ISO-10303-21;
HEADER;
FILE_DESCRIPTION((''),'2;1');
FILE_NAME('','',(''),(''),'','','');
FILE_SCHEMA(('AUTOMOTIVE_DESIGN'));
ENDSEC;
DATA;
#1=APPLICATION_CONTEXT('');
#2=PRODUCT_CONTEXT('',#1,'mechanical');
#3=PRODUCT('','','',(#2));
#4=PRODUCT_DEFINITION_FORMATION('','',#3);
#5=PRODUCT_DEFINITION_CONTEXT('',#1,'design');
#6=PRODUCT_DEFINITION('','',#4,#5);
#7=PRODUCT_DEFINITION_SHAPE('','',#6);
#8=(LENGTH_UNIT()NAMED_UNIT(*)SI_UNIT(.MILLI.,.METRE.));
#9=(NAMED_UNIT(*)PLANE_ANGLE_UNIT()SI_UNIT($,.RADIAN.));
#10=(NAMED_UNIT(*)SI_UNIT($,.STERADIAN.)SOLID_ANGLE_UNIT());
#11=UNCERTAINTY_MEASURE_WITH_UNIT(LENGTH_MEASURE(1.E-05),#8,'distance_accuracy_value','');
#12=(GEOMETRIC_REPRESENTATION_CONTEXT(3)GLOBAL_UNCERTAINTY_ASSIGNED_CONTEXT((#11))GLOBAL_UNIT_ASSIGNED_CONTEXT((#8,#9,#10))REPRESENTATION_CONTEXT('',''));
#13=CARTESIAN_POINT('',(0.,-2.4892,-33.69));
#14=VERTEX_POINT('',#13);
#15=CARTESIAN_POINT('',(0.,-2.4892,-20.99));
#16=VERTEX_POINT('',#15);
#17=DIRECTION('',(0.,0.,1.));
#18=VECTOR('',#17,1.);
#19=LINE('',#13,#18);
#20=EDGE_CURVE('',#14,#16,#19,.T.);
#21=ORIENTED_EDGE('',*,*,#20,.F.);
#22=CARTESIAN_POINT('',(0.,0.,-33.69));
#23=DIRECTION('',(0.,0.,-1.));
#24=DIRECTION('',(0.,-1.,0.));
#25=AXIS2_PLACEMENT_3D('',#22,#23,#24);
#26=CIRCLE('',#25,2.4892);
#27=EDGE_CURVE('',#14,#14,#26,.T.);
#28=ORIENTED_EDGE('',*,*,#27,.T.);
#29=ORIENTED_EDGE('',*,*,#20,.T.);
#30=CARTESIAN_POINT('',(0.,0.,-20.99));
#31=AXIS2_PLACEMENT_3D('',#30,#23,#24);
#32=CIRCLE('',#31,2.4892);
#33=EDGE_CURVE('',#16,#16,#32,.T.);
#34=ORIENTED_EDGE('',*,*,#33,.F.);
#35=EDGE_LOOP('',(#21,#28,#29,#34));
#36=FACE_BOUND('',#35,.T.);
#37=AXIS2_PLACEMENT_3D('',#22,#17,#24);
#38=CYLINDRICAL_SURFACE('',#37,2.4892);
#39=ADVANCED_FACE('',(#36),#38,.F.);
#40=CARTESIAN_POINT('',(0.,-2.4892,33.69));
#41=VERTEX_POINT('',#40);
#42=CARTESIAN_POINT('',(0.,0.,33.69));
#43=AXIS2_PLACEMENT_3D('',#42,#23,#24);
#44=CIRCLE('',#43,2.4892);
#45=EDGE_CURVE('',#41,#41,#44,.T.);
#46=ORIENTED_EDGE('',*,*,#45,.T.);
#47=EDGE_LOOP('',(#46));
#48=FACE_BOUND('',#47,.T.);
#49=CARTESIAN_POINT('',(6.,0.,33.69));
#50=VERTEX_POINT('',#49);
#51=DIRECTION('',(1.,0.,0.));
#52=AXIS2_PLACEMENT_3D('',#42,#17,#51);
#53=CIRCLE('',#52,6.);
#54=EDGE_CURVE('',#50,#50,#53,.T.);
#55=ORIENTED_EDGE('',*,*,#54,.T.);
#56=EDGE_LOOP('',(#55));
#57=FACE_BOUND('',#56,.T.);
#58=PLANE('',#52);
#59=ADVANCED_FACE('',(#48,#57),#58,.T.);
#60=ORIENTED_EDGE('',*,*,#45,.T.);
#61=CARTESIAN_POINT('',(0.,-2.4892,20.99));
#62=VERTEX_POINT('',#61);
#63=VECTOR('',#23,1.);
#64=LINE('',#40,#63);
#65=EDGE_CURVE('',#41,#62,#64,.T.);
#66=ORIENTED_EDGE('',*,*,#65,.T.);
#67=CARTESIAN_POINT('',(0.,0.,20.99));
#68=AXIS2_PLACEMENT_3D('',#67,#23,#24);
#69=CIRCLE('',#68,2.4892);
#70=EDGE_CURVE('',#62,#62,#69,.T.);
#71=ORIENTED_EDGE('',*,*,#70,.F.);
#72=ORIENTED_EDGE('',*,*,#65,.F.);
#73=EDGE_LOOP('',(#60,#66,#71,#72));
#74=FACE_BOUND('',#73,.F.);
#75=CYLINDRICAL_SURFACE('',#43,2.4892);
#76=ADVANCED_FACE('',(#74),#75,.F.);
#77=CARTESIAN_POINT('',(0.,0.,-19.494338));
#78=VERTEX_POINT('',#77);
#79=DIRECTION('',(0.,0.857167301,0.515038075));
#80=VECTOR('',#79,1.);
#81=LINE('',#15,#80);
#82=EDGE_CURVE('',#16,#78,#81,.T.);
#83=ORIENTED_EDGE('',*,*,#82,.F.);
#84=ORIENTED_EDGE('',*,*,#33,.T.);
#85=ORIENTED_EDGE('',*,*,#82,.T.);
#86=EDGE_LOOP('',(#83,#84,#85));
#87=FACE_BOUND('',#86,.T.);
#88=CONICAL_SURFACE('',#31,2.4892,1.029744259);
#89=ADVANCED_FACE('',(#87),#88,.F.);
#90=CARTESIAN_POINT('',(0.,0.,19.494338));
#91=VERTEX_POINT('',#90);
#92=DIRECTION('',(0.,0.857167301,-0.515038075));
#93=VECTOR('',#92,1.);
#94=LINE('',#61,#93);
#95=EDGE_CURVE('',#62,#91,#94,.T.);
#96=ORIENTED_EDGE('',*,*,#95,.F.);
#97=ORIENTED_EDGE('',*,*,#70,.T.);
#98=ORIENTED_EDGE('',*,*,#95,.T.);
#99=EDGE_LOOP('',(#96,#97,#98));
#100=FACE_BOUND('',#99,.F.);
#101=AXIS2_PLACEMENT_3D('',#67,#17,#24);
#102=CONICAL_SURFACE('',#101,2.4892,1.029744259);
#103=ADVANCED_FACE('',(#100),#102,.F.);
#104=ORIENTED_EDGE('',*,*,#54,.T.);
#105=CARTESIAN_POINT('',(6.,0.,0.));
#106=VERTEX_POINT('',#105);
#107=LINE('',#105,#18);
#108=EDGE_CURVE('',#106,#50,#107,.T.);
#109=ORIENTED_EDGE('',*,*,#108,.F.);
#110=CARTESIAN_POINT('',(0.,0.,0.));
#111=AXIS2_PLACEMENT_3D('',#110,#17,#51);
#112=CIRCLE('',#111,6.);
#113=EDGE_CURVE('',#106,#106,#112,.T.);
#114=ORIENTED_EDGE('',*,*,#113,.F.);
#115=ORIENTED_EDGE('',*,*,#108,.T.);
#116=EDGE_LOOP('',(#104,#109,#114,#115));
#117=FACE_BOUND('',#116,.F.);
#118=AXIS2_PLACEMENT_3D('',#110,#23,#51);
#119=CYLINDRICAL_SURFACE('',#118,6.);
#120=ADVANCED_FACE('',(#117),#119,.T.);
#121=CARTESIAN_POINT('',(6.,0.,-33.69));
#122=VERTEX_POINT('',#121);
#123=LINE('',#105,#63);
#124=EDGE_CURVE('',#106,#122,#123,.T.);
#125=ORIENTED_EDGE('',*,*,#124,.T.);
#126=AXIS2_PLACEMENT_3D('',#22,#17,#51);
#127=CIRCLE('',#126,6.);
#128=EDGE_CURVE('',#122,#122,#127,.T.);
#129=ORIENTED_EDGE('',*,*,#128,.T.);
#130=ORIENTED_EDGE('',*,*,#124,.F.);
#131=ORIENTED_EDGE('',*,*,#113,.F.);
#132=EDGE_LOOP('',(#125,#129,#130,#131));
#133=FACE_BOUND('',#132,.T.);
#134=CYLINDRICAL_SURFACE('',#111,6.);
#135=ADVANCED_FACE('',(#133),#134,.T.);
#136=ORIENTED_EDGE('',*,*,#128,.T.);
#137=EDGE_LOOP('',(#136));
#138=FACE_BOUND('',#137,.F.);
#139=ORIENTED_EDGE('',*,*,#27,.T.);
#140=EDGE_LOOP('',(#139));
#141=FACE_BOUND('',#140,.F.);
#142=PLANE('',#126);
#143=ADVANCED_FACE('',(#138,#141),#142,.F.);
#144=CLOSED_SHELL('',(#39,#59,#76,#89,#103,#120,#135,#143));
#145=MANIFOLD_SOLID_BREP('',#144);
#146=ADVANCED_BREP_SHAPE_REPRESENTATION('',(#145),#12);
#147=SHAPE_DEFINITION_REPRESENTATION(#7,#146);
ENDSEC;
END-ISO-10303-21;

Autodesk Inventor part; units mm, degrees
ref_plane "YZ Plane" through (0, 0, 0) normal (1, 0, 0) x (0, 1, 0)
ref_plane "XZ Plane" through (0, 0, 0) normal (0, 1, 0) x (-1, 0, 0)
ref_plane "XY Plane" through (0, 0, 0) normal (0, 0, 1) x (1, 0, 0)
sketch "Sketch1" plane through (0, 0, 0) normal (0, 0, 1) x (1, 0, 0)
  circle A0 centre (0, 0) radius 6
  dimension "d0" = 12
extrude "Extrusion1" add sketch "Sketch1" along normal mid plane 67.38
sketch "Sketch2" plane through (0, 0, 33.69) normal (0, 0, 1) x (1, 0, 0)
  circle A0 centre (0, 0) radius 6 projected
hole "Hole1" at (0, 0, 33.69) direction (0, 0, -1) diameter 4.9784 depth 12.7 tip angle 118 thread size "1/4-20 UNC" class "2B" standard "ANSI Unified Screw Threads"
mirror "Mirror1" about plane through (0, 0, 0) normal (0, 0, 1) of "Hole1"
properties part number "Dead Axle" material "Steel"
